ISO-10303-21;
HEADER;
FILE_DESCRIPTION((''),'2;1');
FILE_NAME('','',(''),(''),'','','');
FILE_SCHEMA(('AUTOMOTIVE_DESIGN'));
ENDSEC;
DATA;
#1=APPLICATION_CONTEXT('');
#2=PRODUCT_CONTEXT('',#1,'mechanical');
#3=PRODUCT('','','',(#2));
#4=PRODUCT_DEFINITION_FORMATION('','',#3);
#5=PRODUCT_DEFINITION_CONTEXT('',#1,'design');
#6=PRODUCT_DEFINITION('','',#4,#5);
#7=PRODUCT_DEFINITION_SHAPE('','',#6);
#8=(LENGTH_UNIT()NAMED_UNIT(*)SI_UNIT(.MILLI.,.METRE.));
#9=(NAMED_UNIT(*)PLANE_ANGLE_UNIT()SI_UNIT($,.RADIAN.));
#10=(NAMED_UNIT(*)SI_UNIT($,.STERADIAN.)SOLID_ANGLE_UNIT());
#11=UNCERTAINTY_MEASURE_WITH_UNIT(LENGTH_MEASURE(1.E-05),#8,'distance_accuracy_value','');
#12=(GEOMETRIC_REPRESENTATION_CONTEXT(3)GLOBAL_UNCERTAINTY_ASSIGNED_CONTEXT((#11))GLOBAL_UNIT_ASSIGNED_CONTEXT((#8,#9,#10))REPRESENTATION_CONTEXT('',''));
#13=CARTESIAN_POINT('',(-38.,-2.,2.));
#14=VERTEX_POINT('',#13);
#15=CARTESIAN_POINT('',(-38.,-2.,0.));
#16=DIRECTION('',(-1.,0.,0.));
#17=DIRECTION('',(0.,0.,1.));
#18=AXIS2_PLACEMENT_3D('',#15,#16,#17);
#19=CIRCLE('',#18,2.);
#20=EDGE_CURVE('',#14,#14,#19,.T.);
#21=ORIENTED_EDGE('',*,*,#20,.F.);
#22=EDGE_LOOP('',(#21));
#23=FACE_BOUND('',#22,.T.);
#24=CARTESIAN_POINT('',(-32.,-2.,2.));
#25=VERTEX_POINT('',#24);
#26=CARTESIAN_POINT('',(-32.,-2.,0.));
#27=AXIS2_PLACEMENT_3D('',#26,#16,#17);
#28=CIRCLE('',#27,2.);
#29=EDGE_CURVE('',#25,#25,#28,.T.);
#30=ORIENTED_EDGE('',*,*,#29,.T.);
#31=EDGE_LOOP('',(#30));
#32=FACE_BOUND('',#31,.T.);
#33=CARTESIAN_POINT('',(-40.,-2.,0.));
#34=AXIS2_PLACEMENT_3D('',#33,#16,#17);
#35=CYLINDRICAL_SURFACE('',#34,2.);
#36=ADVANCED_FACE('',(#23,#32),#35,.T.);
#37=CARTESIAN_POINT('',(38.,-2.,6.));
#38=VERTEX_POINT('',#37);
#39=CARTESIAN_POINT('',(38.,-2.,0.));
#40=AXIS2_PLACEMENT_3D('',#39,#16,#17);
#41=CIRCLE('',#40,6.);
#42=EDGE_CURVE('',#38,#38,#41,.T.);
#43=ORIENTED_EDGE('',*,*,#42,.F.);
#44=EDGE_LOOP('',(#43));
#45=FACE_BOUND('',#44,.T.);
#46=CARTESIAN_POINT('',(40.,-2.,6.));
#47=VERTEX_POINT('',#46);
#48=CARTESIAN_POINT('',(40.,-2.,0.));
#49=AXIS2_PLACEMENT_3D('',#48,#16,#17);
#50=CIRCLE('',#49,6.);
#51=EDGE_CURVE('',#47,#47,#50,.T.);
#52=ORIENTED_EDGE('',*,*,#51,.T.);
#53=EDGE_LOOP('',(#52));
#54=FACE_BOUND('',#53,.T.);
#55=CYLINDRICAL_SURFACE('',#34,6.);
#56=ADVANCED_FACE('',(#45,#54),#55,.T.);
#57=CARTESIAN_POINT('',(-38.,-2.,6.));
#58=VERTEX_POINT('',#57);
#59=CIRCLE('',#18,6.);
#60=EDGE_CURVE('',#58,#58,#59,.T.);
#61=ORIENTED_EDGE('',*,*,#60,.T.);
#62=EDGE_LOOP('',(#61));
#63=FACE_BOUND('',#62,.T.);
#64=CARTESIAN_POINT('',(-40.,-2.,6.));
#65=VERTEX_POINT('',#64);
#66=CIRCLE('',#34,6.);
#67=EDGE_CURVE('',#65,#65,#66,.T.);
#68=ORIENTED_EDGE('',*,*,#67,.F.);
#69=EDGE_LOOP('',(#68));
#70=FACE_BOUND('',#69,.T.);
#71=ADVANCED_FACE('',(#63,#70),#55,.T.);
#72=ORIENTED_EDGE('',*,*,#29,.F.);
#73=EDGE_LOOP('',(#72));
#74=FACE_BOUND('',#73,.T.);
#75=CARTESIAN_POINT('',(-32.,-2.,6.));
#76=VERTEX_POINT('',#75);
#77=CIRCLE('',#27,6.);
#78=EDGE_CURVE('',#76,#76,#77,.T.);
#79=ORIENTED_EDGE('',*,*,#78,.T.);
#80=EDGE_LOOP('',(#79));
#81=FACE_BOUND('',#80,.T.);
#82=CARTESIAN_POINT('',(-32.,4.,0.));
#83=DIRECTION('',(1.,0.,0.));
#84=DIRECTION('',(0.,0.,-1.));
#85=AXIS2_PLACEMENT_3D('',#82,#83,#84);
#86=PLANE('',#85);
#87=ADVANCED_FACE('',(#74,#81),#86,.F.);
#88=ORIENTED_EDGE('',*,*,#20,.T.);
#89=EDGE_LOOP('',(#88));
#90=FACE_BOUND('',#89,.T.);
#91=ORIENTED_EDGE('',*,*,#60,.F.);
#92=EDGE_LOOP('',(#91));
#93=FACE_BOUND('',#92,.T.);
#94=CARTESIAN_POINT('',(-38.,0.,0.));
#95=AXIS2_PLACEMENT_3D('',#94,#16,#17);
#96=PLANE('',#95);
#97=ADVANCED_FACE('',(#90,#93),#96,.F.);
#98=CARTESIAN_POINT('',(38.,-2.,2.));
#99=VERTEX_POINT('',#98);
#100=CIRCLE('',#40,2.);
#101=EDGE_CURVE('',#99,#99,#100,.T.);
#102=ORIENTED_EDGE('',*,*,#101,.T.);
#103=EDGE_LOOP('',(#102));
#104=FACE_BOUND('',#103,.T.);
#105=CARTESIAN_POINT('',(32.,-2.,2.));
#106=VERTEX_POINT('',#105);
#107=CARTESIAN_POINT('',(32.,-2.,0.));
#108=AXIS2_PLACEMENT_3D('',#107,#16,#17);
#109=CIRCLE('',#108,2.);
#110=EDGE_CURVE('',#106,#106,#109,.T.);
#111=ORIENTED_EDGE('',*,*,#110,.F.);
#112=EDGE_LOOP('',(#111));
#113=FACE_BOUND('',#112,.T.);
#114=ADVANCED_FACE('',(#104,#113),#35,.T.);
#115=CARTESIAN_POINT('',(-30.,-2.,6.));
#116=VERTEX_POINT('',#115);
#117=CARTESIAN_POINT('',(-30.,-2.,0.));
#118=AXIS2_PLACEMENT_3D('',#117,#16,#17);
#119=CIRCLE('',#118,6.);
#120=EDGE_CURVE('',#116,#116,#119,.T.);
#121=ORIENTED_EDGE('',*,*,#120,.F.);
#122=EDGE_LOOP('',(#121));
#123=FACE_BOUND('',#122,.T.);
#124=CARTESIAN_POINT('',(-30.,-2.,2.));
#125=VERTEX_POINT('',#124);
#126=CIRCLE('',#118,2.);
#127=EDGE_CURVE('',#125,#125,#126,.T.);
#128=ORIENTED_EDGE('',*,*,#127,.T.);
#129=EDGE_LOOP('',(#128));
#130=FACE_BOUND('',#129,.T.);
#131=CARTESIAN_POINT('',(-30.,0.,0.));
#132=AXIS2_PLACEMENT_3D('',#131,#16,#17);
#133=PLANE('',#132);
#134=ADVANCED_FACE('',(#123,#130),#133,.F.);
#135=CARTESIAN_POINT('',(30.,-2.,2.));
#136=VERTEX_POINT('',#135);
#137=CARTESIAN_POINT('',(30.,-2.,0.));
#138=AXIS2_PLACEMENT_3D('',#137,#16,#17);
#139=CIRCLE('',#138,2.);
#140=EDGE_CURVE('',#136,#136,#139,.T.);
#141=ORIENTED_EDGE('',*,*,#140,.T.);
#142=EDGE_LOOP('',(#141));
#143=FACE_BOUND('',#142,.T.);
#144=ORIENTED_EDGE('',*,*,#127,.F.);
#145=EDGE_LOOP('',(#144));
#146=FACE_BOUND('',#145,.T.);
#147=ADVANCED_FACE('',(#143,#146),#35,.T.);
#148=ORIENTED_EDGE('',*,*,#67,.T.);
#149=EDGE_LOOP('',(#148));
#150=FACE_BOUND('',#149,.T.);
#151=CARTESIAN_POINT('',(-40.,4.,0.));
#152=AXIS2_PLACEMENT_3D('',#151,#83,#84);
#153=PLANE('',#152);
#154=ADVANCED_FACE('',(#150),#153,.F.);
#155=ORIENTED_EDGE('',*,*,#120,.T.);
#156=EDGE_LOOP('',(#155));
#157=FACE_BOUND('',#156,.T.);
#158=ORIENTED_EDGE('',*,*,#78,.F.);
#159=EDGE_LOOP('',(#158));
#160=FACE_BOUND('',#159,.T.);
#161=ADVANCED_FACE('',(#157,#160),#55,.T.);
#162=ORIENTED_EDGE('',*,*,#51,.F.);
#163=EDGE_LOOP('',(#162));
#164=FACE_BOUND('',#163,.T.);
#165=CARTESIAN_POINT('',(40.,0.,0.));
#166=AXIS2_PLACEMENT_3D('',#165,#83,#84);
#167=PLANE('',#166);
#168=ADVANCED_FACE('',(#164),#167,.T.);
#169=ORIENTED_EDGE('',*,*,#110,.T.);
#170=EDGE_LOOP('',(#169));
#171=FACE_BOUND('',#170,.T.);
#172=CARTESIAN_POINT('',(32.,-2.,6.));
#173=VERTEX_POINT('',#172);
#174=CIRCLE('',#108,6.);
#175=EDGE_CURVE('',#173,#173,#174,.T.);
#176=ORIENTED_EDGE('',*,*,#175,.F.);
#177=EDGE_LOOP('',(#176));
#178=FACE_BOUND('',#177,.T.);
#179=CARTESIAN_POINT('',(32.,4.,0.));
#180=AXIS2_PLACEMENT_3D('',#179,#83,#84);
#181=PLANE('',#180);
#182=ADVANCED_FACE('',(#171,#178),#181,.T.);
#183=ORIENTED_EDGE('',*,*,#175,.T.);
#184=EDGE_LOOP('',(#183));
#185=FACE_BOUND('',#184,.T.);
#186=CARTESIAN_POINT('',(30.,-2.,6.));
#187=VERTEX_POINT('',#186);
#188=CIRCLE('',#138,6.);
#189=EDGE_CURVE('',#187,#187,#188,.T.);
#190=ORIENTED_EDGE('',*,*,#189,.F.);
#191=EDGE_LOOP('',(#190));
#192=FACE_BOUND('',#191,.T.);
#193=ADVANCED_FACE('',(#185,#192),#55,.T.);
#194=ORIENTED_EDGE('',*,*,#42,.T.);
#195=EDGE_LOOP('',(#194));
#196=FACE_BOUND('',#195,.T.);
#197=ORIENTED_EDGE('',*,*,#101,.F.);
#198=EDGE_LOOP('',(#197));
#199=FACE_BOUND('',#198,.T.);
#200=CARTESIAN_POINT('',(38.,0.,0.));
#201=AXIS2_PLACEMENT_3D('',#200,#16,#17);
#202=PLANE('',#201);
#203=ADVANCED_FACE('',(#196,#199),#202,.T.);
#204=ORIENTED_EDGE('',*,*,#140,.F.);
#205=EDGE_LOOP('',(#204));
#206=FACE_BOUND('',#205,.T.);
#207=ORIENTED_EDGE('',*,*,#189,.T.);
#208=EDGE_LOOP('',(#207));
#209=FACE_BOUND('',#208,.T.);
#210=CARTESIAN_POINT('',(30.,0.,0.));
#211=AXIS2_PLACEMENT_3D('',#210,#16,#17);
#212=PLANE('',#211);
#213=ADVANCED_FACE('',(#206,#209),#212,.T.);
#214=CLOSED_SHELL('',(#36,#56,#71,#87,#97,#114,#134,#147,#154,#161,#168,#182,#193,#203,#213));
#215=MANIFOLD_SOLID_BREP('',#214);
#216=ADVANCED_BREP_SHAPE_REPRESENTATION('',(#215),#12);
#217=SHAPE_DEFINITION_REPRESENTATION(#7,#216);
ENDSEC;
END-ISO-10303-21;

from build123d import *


with BuildPart() as part:
    # 草图1 → 旋转1 (revolve)
    with BuildSketch(Plane.XY):
        Polygon((30, 0), (-30, 0), (-30, 4), (-32, 4), (-32, 0), (-38, 0), (-38, 4), (-40, 4), (-40, 0), (-40, -2), (40, -2), (40, 0), (40, 4), (38, 4), (38, 0), (32, 0), (32, 4), (30, 4), align=None)
    revolve(axis=Axis((-40, -2, 0), (1, 0, 0)))


solid = part.part
